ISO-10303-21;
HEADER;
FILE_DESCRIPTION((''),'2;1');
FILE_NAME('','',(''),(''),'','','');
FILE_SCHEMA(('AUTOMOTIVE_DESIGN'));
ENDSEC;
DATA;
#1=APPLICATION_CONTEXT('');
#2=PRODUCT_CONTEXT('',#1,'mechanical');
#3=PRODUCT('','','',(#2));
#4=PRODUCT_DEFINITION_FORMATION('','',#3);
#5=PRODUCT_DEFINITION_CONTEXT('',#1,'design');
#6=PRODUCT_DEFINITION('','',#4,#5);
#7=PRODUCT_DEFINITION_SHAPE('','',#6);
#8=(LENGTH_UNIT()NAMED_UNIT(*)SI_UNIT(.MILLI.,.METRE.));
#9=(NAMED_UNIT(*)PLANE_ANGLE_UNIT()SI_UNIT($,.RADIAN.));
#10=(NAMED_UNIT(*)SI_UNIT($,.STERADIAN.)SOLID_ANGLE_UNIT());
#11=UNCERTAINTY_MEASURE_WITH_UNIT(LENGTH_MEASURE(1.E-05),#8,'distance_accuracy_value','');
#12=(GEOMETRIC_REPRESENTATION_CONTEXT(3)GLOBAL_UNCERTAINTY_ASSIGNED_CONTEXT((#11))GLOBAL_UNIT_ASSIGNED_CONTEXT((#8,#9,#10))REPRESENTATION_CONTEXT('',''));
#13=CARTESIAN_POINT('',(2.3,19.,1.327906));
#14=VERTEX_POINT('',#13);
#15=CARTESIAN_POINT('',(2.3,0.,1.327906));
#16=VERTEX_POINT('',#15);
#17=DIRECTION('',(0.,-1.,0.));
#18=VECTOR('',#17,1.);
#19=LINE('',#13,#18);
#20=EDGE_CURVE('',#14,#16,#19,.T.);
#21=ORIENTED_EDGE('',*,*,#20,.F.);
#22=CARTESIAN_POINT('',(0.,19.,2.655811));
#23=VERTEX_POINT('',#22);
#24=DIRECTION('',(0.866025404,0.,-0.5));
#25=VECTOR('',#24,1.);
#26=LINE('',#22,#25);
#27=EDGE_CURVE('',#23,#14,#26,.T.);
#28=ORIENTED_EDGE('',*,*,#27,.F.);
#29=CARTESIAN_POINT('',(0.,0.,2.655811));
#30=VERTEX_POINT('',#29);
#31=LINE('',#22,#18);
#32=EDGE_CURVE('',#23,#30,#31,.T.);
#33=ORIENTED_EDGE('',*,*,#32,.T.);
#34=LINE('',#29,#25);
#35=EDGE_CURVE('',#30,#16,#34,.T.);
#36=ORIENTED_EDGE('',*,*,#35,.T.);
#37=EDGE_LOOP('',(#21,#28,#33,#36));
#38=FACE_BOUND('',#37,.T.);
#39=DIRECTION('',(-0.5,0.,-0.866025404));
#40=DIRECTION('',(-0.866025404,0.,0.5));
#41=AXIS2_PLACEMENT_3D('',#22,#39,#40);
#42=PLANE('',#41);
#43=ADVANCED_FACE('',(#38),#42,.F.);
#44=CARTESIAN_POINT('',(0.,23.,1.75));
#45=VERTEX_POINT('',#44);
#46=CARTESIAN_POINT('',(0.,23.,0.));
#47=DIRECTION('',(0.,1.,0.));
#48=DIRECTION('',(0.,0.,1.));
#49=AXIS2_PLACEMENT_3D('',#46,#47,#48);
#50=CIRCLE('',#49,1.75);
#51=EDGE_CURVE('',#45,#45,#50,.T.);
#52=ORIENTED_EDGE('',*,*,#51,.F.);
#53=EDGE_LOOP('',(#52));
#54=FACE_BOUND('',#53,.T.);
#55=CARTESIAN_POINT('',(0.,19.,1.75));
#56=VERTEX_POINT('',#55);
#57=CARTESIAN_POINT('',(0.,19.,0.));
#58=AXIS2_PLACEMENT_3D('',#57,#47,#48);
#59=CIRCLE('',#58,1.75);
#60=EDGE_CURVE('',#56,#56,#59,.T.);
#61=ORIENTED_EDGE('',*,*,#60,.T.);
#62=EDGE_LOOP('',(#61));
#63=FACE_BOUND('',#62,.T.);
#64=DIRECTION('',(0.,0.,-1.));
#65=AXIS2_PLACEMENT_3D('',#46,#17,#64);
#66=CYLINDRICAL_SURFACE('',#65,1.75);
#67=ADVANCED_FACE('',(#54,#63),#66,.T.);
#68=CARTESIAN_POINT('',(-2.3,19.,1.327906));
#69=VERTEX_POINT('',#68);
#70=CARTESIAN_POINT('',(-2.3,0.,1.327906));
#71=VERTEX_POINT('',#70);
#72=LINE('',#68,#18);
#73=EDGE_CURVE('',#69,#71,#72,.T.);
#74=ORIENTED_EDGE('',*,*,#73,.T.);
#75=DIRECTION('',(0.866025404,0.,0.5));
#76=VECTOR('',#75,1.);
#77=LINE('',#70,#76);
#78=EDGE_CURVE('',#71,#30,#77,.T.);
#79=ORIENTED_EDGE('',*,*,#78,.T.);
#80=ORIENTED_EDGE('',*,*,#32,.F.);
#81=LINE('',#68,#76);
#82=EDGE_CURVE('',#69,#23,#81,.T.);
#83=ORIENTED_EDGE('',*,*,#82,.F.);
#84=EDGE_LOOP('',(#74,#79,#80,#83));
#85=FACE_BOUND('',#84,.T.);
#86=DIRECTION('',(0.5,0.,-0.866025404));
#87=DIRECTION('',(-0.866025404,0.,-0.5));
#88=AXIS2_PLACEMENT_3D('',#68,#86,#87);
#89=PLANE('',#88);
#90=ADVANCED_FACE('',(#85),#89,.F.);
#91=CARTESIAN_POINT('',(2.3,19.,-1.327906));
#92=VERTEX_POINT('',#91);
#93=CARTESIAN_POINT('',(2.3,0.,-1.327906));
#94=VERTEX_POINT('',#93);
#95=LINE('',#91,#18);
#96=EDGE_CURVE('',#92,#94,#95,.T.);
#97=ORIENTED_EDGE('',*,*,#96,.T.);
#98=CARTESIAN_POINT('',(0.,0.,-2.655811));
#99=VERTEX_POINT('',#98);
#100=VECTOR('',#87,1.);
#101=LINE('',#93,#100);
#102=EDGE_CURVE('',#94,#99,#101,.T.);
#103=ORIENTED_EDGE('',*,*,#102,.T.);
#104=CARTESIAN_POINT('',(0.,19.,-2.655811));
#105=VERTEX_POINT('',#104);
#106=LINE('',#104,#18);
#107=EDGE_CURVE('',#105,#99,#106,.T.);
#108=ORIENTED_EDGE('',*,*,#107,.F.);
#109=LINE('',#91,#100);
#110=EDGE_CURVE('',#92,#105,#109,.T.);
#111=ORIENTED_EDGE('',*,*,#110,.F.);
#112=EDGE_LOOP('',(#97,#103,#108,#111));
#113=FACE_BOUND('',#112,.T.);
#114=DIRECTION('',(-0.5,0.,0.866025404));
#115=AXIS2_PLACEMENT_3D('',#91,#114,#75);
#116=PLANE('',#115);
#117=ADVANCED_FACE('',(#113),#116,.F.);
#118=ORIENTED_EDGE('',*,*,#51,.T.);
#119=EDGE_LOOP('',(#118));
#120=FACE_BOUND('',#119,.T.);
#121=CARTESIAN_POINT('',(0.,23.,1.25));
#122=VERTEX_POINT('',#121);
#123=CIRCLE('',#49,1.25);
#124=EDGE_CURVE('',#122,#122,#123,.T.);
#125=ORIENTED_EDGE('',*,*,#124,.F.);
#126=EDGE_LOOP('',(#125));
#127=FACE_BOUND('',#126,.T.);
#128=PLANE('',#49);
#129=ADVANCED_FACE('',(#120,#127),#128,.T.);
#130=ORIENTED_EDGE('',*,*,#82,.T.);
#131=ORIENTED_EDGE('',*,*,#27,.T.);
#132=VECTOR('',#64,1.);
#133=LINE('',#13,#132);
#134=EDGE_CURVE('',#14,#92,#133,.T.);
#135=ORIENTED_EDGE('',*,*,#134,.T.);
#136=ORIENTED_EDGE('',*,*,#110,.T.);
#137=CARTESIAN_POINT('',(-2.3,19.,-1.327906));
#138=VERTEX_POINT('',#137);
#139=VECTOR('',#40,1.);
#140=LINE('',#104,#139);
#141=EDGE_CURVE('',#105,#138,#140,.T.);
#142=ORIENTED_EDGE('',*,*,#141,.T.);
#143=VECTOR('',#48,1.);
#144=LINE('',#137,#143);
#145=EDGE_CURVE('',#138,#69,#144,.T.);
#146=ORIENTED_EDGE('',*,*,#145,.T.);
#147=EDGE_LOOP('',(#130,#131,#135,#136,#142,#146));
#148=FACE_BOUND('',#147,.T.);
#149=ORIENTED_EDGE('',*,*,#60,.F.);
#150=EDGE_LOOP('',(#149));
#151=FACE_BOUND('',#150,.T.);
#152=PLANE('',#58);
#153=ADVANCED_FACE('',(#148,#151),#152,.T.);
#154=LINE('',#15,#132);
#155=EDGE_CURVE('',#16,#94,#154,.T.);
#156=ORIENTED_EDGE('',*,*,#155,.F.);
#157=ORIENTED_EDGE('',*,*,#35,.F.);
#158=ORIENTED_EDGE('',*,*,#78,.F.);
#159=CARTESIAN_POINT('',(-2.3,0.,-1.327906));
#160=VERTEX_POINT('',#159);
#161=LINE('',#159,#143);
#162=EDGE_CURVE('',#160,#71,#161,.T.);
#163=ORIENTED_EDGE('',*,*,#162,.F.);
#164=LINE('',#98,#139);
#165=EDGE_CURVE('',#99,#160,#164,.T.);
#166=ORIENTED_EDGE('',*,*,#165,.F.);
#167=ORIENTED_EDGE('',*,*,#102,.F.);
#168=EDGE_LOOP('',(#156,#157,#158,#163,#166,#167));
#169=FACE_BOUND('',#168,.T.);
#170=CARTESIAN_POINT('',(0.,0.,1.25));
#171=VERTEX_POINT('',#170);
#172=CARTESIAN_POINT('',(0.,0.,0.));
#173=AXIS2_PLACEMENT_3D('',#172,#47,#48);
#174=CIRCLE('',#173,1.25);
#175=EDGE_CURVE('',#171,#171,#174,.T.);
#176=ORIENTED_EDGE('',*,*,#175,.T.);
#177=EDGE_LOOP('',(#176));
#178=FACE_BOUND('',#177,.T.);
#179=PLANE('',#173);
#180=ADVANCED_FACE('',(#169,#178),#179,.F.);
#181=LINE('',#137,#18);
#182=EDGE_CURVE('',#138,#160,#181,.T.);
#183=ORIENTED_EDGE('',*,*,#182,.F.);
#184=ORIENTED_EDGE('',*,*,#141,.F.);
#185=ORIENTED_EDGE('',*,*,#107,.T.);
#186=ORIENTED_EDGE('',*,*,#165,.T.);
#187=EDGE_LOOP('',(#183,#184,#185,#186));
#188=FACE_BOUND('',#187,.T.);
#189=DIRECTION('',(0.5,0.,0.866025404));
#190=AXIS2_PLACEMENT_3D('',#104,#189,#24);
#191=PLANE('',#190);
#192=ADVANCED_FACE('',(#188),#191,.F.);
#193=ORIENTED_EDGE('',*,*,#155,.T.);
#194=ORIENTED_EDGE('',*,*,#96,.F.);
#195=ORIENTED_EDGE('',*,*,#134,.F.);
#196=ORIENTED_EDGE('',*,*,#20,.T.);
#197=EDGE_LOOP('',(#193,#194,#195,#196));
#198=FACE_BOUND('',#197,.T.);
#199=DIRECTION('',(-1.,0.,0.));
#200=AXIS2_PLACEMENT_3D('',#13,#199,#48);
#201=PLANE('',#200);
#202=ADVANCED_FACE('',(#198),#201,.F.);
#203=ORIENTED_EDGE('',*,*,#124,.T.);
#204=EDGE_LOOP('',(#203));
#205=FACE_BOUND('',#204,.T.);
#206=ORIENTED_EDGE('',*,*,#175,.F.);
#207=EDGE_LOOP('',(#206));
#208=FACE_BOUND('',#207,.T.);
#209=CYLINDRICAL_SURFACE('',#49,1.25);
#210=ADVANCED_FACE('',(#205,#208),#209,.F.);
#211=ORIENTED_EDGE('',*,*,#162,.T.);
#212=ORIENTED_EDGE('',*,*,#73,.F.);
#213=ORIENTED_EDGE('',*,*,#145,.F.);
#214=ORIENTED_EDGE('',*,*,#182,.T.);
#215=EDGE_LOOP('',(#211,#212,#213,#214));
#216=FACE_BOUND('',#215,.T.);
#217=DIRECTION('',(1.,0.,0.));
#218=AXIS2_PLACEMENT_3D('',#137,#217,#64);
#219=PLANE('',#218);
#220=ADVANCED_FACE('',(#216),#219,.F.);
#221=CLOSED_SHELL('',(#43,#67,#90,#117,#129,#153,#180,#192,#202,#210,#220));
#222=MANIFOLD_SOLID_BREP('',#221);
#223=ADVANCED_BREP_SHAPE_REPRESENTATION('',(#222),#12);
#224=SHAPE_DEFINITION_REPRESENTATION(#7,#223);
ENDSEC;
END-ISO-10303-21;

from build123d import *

# Parameters (mm, degrees)
EXTRUDE_1_DEPTH    = 19
SKETCH_2_R         = 1.75
EXTRUDE_2_DEPTH    = 4
HOLE_WIZARD_M3_1_D = 2.5


with BuildPart() as part:
    # 草图1 → 凸台-拉伸1 (new body)
    with BuildSketch(Plane(origin=(0, 0, 0), x_dir=(1, 0, 0), z_dir=(0, 1, 0))):
        Polygon((0, 2.655811238), (-2.3, 1.327905619), (-2.3, -1.327905619), (0, -2.655811238), (2.3, -1.327905619), (2.3, 1.327905619), align=None)
    extrude(amount=EXTRUDE_1_DEPTH)

    # 草图2 → 凸台-拉伸2 (add)
    with BuildSketch(Plane(origin=(0, 19, 0), x_dir=(1, 0, 0), z_dir=(0, 1, 0))):
        with Locations(Location((0, 0, 0), (0, 0, 270))):
            Circle(SKETCH_2_R)
    extrude(amount=EXTRUDE_2_DEPTH)

    # M3 螺纹孔1 (through all)
    with Locations(Plane(origin=(0, 23, 0), x_dir=(1, 0, 0), z_dir=(0, 1, 0))):
        with Locations((0, 0)):
            Hole(HOLE_WIZARD_M3_1_D / 2)


solid = part.part
